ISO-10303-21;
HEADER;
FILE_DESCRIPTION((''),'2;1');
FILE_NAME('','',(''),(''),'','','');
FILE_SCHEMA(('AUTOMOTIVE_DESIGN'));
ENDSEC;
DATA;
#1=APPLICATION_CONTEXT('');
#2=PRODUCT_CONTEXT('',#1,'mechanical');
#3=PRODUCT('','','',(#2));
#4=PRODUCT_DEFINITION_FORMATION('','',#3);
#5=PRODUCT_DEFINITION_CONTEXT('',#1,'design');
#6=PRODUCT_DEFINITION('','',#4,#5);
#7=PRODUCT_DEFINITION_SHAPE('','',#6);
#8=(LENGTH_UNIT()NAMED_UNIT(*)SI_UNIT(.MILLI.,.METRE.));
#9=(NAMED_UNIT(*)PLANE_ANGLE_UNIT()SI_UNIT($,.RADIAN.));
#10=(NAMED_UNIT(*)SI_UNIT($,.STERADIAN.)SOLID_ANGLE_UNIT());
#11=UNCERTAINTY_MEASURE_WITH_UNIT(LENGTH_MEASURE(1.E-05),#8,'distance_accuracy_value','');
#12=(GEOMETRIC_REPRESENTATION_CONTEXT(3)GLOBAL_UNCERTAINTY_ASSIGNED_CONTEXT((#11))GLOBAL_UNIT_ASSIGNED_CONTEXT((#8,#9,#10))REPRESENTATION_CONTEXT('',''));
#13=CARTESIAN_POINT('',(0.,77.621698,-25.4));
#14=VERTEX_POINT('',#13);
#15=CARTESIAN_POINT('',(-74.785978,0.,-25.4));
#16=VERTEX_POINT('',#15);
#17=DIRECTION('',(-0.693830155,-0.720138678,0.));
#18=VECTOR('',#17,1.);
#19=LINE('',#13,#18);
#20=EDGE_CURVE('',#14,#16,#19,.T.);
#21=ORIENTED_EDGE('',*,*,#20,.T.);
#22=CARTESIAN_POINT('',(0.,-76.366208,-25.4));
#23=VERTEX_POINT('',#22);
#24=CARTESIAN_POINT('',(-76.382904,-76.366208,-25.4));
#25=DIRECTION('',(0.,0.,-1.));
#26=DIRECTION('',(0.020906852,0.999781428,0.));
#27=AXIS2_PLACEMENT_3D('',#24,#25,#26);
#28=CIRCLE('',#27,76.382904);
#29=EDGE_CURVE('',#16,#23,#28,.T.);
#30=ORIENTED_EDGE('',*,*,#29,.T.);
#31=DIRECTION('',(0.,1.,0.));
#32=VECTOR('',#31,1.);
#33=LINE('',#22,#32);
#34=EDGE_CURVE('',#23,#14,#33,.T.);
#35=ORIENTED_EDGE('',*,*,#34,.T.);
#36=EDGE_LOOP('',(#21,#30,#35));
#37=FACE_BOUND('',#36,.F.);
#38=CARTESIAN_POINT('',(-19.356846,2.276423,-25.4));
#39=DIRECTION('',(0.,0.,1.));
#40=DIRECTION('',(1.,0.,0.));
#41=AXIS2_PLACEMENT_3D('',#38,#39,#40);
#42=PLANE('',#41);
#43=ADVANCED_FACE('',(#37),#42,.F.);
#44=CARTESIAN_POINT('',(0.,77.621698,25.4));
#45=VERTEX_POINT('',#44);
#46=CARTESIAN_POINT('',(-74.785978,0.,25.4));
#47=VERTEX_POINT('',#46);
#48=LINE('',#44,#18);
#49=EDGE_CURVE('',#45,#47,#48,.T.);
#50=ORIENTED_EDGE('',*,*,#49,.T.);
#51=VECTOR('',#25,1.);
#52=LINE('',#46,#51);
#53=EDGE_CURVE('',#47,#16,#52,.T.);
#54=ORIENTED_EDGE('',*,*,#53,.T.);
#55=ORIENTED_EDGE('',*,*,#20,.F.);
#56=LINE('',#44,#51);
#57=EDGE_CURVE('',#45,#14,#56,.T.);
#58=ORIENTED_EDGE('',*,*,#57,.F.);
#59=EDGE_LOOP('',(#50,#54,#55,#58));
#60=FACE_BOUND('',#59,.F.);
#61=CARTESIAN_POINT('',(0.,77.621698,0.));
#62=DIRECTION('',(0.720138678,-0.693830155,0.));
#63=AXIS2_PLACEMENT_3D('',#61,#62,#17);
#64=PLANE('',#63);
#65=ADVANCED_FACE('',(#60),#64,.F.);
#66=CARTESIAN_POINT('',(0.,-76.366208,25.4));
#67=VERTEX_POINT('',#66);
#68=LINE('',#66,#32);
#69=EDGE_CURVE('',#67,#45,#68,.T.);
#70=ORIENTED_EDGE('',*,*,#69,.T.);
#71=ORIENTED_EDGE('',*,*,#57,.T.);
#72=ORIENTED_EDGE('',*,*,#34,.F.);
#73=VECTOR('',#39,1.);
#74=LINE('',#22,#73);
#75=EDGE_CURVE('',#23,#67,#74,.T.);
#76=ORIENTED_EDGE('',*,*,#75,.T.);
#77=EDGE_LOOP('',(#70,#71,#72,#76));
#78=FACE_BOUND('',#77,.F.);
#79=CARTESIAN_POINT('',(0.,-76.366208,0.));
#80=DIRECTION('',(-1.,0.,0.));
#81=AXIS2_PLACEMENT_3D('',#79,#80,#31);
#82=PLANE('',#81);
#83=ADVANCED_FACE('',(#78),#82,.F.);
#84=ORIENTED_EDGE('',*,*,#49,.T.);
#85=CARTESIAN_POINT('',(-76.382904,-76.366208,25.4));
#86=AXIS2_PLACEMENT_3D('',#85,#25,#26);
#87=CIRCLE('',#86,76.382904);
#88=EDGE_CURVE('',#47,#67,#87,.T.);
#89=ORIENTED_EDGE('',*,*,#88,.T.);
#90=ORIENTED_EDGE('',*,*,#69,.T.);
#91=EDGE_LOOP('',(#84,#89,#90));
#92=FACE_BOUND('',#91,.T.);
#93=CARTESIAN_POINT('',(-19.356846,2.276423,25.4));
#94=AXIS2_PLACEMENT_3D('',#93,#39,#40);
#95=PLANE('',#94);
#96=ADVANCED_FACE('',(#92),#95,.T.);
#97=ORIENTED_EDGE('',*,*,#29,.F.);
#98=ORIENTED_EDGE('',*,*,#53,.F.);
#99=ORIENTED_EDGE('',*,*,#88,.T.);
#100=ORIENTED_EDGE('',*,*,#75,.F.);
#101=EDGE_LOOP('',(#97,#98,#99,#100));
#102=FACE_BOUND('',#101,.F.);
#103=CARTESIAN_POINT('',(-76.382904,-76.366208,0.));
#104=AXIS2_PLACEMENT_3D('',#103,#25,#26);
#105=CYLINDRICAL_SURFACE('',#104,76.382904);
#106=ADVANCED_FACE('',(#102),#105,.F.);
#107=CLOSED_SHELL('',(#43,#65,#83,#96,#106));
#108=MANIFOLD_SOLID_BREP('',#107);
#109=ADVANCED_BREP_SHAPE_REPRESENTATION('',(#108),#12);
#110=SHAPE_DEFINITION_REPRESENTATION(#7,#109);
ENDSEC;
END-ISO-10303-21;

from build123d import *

# Parameters (mm, degrees)
F1_DEPTH      = 25.4
F1_DEPTH_BACK = 25.4


with BuildPart() as f1:
    # F0 (on Top) → F1 (new body, two sides)
    with BuildSketch(Plane.XY) as f1_sk:
        with BuildLine():
            ThreePointArc((-74.785977602, 0), (-21.8103564368, -22.922920221), (0, -76.3662084937))
            Line((0, -76.3662084937), (0, 77.6216983795))
            Line((0, 77.6216983795), (-74.785977602, 0))
        make_face()
    extrude(amount=-F1_DEPTH)
    extrude(f1_sk.sketch, amount=F1_DEPTH_BACK)


solid = f1.part
